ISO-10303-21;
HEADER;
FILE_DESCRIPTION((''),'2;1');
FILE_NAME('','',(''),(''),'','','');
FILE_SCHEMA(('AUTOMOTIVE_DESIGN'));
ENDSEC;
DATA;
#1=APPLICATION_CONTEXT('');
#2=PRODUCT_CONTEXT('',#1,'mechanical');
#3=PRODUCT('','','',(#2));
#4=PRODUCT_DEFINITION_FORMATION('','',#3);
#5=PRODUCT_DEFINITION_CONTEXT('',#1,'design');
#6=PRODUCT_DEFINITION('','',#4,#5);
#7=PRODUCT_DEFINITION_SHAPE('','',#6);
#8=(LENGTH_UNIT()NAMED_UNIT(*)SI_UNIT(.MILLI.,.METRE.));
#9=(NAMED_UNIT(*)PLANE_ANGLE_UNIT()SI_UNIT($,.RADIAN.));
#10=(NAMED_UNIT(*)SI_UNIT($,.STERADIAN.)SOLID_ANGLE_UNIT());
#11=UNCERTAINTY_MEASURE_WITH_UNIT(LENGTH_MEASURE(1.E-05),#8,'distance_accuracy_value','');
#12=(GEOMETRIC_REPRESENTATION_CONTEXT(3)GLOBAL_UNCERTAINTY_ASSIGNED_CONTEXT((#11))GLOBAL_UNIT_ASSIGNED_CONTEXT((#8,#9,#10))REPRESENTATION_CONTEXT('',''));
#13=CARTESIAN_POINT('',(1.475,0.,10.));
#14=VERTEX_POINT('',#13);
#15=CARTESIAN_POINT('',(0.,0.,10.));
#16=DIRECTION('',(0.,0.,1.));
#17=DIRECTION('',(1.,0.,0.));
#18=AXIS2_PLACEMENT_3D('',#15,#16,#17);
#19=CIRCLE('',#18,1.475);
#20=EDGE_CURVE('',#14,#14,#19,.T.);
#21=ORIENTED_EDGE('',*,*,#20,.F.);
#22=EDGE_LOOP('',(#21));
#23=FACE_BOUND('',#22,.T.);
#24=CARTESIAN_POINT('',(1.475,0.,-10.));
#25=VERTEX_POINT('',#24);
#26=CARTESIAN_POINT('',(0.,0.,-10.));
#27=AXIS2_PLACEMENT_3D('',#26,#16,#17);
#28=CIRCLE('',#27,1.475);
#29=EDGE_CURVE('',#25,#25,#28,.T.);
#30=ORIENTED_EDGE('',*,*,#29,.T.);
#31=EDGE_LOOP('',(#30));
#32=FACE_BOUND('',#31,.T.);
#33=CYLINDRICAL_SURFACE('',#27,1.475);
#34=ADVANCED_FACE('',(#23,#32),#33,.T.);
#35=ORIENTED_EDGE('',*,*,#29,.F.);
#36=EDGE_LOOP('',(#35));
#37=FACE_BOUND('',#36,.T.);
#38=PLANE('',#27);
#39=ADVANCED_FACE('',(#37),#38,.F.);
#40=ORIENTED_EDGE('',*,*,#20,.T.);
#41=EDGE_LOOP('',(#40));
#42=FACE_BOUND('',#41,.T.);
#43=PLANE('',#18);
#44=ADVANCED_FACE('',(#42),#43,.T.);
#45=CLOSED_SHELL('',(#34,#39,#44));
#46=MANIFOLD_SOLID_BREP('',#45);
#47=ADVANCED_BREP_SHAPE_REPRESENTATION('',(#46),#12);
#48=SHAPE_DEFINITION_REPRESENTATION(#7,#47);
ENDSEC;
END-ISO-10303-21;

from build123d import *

# Parameters (mm, degrees)
BOSS_EXTRUDE1_DEPTH      = 10
BOSS_EXTRUDE1_DEPTH_BACK = 10
SKETCH1_R                = 1.475


with BuildPart() as part:
    # Sketch1 → Boss-Extrude1 (new, two sides: drawn at the far end of the back side and taken through both)
    with BuildSketch(Plane.XY.offset(-BOSS_EXTRUDE1_DEPTH_BACK)):
        Circle(SKETCH1_R)
    extrude(amount=BOSS_EXTRUDE1_DEPTH + BOSS_EXTRUDE1_DEPTH_BACK)


solid = part.part
